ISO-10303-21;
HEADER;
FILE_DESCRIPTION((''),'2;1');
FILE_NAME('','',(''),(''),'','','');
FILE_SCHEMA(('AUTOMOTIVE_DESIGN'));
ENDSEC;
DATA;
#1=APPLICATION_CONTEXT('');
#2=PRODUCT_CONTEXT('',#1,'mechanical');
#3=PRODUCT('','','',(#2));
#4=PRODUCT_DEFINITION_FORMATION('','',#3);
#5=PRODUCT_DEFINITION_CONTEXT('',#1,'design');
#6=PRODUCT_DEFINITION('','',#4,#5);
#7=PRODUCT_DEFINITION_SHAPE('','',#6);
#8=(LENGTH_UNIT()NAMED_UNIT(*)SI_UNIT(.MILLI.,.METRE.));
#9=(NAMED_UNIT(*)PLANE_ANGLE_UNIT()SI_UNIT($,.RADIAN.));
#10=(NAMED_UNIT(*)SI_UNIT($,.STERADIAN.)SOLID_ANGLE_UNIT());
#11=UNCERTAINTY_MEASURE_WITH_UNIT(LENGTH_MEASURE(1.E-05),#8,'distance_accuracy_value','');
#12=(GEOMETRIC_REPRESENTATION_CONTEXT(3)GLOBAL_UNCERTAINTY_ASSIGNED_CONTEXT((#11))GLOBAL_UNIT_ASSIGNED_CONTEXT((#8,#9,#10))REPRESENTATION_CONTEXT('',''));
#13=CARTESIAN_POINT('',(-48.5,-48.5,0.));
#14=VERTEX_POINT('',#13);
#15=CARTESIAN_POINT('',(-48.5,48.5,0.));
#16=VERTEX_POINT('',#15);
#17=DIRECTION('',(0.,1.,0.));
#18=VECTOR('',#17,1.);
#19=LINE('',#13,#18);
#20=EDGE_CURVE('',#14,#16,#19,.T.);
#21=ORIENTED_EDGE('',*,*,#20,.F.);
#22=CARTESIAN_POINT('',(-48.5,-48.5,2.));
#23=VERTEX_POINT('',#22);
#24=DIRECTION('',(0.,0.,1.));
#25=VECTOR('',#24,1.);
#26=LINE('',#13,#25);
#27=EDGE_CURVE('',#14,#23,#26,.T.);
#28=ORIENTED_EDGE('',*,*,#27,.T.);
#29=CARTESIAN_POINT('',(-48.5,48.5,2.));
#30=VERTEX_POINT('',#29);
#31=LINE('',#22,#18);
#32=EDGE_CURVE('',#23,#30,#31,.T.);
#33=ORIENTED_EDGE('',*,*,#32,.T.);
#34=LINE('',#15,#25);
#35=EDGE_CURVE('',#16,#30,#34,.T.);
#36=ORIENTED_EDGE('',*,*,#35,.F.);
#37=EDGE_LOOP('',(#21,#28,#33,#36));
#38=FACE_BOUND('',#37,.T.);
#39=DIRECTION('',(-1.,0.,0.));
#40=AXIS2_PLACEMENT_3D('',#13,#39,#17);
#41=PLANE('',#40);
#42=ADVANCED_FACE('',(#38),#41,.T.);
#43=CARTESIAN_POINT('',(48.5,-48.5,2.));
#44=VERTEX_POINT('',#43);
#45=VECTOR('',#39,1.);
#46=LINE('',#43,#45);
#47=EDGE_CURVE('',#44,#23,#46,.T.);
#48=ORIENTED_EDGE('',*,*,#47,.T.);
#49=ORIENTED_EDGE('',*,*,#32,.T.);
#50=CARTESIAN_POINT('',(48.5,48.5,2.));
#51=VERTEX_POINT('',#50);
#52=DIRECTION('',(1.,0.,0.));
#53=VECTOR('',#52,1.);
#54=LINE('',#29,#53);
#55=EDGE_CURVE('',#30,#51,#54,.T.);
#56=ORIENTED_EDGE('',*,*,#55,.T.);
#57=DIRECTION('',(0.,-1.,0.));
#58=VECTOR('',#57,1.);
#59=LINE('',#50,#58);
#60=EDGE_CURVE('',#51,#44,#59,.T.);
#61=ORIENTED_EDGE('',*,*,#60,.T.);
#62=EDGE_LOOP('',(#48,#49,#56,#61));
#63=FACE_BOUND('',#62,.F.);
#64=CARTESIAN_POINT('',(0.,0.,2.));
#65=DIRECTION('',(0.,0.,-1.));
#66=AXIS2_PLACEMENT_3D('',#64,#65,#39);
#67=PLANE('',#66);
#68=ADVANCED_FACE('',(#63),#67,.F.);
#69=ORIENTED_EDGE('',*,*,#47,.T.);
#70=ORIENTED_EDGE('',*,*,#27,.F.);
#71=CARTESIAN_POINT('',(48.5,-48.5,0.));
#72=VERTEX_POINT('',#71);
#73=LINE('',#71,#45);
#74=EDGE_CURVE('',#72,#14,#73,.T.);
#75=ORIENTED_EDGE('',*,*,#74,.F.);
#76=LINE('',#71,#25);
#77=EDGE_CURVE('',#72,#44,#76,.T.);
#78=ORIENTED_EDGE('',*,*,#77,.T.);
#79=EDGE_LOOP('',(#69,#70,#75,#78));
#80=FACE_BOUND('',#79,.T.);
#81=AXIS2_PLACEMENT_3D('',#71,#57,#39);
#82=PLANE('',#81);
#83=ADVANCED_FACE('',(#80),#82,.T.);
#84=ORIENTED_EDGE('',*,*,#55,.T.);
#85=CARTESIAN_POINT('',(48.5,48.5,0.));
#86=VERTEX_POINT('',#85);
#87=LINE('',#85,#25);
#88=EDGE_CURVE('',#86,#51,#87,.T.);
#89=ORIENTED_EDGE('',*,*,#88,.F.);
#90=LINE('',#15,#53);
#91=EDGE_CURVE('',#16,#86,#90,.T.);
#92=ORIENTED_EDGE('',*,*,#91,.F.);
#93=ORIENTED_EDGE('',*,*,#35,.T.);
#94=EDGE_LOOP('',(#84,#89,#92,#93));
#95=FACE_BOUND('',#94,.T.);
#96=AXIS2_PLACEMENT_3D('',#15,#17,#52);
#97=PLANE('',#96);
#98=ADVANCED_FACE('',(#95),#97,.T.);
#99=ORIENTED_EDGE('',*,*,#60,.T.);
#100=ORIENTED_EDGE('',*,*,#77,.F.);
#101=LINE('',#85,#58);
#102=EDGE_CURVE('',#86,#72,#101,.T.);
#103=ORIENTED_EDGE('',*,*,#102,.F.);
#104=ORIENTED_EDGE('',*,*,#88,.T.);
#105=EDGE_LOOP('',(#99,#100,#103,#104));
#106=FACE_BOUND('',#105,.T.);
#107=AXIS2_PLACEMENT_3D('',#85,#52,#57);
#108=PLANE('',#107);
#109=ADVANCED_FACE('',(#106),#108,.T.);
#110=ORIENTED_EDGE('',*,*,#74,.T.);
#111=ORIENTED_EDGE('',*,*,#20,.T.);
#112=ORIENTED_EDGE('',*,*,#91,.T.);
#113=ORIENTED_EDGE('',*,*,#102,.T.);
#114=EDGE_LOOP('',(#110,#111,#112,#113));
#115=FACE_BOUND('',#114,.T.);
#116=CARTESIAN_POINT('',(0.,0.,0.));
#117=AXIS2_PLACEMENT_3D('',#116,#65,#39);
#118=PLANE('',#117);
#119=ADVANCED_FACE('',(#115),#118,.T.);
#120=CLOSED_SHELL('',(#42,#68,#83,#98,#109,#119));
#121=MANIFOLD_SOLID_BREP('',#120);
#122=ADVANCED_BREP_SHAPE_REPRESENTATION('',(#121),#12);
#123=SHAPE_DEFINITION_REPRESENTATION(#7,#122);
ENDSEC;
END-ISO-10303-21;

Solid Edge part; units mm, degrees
sketch "Sketch1" plane through (0, 0, 0) normal (0, 0, 1) x (1, 0, 0)
  line L0 (48.5, -48.5) -> (-48.5, -48.5)
  line L1 (-48.5, -48.5) -> (-48.5, 48.5)
  line L2 (-48.5, 48.5) -> (48.5, 48.5)
  line L3 (48.5, 48.5) -> (48.5, -48.5)
  dimension "D1" = 97
  dimension "D2" = 97
extrude "Protrusion1" add sketch "Sketch1" along normal blind 2
